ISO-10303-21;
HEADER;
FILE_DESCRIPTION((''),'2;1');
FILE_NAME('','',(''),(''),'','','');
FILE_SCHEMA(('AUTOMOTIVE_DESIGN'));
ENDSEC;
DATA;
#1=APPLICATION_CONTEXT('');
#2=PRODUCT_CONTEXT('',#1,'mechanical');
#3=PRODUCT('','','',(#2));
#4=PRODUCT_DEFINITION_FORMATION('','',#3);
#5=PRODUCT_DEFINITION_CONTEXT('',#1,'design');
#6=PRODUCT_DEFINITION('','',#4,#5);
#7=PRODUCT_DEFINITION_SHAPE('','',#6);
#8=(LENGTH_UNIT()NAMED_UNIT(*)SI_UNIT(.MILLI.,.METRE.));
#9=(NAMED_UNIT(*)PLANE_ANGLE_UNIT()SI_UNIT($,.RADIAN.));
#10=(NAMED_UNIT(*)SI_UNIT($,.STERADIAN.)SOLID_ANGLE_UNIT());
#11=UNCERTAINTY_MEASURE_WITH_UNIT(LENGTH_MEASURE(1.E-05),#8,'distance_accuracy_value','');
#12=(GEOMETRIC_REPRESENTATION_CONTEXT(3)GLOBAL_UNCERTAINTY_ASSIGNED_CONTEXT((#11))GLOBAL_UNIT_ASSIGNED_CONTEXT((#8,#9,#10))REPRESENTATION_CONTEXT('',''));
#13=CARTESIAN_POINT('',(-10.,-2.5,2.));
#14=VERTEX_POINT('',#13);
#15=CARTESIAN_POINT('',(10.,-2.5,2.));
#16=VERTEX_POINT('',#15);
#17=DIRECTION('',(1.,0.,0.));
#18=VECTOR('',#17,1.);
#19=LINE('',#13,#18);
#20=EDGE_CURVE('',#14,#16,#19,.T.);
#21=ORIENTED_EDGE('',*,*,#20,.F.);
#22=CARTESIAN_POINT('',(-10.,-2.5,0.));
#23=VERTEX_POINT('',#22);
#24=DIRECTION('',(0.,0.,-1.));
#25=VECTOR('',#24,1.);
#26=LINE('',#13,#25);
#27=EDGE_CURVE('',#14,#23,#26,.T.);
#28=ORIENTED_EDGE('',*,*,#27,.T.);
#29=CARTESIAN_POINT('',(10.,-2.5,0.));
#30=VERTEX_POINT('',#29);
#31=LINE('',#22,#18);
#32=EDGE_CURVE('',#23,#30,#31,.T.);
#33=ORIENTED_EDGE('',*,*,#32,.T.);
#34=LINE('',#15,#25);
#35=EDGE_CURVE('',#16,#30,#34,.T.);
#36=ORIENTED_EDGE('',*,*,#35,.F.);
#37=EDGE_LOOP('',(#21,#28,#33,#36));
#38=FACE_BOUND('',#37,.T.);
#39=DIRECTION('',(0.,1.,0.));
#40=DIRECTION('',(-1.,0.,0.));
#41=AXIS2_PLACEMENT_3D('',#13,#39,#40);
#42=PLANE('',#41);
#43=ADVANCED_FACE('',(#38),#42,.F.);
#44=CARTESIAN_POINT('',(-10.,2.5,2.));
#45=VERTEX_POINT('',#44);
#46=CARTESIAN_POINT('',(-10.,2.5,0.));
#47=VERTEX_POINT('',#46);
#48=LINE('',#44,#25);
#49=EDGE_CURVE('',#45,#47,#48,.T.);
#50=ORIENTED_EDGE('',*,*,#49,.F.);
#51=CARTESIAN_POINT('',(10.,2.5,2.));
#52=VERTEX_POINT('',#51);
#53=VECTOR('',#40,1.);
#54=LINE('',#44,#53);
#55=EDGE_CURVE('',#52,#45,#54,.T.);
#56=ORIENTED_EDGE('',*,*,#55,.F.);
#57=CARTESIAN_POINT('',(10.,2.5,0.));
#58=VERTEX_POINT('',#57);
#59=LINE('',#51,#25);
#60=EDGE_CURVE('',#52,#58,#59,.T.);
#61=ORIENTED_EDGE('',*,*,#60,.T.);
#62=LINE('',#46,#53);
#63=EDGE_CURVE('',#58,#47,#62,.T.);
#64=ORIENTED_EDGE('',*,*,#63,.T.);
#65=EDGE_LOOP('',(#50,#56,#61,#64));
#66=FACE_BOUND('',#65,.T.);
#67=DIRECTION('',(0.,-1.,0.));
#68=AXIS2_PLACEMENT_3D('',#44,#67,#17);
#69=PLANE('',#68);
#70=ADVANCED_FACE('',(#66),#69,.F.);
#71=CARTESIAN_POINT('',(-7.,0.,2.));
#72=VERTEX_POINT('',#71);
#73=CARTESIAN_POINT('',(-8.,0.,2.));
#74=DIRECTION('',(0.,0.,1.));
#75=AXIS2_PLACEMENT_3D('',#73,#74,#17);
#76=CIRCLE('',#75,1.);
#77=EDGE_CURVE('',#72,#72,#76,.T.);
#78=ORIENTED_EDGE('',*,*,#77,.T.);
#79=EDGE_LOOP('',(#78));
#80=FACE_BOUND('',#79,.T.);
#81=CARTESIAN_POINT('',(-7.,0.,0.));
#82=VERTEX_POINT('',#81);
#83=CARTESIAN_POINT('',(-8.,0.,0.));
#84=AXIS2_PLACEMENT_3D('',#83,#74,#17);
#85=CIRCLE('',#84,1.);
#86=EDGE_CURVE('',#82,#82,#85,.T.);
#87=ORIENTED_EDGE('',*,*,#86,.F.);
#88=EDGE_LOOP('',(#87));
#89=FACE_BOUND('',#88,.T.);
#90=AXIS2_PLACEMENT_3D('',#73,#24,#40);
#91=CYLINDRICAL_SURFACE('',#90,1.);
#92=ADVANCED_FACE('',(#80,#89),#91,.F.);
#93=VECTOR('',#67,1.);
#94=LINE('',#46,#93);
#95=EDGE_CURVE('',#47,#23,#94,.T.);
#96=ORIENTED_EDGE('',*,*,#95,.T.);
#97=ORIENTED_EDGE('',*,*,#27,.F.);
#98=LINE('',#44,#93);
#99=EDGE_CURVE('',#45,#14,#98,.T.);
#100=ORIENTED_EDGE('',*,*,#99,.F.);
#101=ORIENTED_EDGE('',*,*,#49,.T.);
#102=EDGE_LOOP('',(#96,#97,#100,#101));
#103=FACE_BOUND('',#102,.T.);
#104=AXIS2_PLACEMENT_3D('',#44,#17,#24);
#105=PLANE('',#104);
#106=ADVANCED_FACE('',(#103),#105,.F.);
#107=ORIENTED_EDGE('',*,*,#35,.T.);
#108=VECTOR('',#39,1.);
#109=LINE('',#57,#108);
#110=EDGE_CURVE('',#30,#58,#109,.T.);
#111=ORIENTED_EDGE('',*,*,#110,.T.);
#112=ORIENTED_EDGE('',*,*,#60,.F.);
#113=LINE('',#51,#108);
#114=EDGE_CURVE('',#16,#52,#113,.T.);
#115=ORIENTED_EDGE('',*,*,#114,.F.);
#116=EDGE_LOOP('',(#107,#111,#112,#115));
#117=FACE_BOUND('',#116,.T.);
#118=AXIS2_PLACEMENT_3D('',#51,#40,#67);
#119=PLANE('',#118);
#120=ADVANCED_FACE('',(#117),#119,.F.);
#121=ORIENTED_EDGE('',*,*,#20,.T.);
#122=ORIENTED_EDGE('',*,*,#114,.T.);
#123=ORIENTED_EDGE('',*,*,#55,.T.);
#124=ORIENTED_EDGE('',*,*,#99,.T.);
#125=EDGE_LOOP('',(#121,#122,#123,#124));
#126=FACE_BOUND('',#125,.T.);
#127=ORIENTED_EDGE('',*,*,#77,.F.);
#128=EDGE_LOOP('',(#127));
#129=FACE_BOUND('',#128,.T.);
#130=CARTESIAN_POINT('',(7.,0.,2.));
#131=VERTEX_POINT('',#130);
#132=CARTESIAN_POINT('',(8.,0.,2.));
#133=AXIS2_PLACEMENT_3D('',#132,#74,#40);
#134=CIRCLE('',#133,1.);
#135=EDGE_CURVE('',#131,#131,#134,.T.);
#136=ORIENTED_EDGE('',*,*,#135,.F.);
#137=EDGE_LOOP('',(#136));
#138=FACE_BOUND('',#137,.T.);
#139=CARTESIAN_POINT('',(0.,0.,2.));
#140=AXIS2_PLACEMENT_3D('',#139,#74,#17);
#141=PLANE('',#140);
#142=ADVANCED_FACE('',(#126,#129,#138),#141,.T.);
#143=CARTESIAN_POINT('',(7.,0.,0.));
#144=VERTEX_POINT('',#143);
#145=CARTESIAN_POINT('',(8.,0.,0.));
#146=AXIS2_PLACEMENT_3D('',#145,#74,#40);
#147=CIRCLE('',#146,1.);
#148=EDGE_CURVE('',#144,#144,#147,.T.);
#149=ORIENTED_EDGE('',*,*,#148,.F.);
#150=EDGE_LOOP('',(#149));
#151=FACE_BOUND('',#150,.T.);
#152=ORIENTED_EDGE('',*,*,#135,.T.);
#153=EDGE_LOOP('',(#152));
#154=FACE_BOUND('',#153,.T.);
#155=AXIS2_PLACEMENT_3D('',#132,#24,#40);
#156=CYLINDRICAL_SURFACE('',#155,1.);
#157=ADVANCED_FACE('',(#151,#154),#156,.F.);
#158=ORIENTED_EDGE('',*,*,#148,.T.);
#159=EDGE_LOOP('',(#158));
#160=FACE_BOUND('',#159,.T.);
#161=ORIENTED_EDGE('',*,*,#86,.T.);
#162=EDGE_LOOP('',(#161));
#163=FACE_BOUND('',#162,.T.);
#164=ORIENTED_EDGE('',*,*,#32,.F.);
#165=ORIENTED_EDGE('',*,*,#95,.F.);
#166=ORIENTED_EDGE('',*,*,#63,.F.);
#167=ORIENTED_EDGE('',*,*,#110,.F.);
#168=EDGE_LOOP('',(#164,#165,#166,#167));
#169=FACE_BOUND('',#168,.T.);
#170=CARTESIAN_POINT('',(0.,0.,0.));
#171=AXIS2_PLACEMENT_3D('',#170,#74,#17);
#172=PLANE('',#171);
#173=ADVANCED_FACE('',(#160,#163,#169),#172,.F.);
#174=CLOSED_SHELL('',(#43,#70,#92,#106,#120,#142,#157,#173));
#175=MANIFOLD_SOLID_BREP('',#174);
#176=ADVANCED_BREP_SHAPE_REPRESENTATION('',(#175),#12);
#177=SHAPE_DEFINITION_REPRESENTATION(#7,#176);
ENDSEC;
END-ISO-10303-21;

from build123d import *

# Parameters (mm, degrees)
SKETCH1_W           = 20
SKETCH1_H           = 5
SKETCH1_R           = 1
BOSS_EXTRUDE1_DEPTH = 2


with BuildPart() as part:
    # Sketch1 → Boss-Extrude1 (new body)
    with BuildSketch(Plane.XY):
        Rectangle(SKETCH1_W, SKETCH1_H)
        with Locations((-8, 0)):
            Circle(SKETCH1_R, mode=Mode.SUBTRACT)
        with Locations((8, 0)):
            Circle(SKETCH1_R, mode=Mode.SUBTRACT)
    extrude(amount=BOSS_EXTRUDE1_DEPTH)


solid = part.part
